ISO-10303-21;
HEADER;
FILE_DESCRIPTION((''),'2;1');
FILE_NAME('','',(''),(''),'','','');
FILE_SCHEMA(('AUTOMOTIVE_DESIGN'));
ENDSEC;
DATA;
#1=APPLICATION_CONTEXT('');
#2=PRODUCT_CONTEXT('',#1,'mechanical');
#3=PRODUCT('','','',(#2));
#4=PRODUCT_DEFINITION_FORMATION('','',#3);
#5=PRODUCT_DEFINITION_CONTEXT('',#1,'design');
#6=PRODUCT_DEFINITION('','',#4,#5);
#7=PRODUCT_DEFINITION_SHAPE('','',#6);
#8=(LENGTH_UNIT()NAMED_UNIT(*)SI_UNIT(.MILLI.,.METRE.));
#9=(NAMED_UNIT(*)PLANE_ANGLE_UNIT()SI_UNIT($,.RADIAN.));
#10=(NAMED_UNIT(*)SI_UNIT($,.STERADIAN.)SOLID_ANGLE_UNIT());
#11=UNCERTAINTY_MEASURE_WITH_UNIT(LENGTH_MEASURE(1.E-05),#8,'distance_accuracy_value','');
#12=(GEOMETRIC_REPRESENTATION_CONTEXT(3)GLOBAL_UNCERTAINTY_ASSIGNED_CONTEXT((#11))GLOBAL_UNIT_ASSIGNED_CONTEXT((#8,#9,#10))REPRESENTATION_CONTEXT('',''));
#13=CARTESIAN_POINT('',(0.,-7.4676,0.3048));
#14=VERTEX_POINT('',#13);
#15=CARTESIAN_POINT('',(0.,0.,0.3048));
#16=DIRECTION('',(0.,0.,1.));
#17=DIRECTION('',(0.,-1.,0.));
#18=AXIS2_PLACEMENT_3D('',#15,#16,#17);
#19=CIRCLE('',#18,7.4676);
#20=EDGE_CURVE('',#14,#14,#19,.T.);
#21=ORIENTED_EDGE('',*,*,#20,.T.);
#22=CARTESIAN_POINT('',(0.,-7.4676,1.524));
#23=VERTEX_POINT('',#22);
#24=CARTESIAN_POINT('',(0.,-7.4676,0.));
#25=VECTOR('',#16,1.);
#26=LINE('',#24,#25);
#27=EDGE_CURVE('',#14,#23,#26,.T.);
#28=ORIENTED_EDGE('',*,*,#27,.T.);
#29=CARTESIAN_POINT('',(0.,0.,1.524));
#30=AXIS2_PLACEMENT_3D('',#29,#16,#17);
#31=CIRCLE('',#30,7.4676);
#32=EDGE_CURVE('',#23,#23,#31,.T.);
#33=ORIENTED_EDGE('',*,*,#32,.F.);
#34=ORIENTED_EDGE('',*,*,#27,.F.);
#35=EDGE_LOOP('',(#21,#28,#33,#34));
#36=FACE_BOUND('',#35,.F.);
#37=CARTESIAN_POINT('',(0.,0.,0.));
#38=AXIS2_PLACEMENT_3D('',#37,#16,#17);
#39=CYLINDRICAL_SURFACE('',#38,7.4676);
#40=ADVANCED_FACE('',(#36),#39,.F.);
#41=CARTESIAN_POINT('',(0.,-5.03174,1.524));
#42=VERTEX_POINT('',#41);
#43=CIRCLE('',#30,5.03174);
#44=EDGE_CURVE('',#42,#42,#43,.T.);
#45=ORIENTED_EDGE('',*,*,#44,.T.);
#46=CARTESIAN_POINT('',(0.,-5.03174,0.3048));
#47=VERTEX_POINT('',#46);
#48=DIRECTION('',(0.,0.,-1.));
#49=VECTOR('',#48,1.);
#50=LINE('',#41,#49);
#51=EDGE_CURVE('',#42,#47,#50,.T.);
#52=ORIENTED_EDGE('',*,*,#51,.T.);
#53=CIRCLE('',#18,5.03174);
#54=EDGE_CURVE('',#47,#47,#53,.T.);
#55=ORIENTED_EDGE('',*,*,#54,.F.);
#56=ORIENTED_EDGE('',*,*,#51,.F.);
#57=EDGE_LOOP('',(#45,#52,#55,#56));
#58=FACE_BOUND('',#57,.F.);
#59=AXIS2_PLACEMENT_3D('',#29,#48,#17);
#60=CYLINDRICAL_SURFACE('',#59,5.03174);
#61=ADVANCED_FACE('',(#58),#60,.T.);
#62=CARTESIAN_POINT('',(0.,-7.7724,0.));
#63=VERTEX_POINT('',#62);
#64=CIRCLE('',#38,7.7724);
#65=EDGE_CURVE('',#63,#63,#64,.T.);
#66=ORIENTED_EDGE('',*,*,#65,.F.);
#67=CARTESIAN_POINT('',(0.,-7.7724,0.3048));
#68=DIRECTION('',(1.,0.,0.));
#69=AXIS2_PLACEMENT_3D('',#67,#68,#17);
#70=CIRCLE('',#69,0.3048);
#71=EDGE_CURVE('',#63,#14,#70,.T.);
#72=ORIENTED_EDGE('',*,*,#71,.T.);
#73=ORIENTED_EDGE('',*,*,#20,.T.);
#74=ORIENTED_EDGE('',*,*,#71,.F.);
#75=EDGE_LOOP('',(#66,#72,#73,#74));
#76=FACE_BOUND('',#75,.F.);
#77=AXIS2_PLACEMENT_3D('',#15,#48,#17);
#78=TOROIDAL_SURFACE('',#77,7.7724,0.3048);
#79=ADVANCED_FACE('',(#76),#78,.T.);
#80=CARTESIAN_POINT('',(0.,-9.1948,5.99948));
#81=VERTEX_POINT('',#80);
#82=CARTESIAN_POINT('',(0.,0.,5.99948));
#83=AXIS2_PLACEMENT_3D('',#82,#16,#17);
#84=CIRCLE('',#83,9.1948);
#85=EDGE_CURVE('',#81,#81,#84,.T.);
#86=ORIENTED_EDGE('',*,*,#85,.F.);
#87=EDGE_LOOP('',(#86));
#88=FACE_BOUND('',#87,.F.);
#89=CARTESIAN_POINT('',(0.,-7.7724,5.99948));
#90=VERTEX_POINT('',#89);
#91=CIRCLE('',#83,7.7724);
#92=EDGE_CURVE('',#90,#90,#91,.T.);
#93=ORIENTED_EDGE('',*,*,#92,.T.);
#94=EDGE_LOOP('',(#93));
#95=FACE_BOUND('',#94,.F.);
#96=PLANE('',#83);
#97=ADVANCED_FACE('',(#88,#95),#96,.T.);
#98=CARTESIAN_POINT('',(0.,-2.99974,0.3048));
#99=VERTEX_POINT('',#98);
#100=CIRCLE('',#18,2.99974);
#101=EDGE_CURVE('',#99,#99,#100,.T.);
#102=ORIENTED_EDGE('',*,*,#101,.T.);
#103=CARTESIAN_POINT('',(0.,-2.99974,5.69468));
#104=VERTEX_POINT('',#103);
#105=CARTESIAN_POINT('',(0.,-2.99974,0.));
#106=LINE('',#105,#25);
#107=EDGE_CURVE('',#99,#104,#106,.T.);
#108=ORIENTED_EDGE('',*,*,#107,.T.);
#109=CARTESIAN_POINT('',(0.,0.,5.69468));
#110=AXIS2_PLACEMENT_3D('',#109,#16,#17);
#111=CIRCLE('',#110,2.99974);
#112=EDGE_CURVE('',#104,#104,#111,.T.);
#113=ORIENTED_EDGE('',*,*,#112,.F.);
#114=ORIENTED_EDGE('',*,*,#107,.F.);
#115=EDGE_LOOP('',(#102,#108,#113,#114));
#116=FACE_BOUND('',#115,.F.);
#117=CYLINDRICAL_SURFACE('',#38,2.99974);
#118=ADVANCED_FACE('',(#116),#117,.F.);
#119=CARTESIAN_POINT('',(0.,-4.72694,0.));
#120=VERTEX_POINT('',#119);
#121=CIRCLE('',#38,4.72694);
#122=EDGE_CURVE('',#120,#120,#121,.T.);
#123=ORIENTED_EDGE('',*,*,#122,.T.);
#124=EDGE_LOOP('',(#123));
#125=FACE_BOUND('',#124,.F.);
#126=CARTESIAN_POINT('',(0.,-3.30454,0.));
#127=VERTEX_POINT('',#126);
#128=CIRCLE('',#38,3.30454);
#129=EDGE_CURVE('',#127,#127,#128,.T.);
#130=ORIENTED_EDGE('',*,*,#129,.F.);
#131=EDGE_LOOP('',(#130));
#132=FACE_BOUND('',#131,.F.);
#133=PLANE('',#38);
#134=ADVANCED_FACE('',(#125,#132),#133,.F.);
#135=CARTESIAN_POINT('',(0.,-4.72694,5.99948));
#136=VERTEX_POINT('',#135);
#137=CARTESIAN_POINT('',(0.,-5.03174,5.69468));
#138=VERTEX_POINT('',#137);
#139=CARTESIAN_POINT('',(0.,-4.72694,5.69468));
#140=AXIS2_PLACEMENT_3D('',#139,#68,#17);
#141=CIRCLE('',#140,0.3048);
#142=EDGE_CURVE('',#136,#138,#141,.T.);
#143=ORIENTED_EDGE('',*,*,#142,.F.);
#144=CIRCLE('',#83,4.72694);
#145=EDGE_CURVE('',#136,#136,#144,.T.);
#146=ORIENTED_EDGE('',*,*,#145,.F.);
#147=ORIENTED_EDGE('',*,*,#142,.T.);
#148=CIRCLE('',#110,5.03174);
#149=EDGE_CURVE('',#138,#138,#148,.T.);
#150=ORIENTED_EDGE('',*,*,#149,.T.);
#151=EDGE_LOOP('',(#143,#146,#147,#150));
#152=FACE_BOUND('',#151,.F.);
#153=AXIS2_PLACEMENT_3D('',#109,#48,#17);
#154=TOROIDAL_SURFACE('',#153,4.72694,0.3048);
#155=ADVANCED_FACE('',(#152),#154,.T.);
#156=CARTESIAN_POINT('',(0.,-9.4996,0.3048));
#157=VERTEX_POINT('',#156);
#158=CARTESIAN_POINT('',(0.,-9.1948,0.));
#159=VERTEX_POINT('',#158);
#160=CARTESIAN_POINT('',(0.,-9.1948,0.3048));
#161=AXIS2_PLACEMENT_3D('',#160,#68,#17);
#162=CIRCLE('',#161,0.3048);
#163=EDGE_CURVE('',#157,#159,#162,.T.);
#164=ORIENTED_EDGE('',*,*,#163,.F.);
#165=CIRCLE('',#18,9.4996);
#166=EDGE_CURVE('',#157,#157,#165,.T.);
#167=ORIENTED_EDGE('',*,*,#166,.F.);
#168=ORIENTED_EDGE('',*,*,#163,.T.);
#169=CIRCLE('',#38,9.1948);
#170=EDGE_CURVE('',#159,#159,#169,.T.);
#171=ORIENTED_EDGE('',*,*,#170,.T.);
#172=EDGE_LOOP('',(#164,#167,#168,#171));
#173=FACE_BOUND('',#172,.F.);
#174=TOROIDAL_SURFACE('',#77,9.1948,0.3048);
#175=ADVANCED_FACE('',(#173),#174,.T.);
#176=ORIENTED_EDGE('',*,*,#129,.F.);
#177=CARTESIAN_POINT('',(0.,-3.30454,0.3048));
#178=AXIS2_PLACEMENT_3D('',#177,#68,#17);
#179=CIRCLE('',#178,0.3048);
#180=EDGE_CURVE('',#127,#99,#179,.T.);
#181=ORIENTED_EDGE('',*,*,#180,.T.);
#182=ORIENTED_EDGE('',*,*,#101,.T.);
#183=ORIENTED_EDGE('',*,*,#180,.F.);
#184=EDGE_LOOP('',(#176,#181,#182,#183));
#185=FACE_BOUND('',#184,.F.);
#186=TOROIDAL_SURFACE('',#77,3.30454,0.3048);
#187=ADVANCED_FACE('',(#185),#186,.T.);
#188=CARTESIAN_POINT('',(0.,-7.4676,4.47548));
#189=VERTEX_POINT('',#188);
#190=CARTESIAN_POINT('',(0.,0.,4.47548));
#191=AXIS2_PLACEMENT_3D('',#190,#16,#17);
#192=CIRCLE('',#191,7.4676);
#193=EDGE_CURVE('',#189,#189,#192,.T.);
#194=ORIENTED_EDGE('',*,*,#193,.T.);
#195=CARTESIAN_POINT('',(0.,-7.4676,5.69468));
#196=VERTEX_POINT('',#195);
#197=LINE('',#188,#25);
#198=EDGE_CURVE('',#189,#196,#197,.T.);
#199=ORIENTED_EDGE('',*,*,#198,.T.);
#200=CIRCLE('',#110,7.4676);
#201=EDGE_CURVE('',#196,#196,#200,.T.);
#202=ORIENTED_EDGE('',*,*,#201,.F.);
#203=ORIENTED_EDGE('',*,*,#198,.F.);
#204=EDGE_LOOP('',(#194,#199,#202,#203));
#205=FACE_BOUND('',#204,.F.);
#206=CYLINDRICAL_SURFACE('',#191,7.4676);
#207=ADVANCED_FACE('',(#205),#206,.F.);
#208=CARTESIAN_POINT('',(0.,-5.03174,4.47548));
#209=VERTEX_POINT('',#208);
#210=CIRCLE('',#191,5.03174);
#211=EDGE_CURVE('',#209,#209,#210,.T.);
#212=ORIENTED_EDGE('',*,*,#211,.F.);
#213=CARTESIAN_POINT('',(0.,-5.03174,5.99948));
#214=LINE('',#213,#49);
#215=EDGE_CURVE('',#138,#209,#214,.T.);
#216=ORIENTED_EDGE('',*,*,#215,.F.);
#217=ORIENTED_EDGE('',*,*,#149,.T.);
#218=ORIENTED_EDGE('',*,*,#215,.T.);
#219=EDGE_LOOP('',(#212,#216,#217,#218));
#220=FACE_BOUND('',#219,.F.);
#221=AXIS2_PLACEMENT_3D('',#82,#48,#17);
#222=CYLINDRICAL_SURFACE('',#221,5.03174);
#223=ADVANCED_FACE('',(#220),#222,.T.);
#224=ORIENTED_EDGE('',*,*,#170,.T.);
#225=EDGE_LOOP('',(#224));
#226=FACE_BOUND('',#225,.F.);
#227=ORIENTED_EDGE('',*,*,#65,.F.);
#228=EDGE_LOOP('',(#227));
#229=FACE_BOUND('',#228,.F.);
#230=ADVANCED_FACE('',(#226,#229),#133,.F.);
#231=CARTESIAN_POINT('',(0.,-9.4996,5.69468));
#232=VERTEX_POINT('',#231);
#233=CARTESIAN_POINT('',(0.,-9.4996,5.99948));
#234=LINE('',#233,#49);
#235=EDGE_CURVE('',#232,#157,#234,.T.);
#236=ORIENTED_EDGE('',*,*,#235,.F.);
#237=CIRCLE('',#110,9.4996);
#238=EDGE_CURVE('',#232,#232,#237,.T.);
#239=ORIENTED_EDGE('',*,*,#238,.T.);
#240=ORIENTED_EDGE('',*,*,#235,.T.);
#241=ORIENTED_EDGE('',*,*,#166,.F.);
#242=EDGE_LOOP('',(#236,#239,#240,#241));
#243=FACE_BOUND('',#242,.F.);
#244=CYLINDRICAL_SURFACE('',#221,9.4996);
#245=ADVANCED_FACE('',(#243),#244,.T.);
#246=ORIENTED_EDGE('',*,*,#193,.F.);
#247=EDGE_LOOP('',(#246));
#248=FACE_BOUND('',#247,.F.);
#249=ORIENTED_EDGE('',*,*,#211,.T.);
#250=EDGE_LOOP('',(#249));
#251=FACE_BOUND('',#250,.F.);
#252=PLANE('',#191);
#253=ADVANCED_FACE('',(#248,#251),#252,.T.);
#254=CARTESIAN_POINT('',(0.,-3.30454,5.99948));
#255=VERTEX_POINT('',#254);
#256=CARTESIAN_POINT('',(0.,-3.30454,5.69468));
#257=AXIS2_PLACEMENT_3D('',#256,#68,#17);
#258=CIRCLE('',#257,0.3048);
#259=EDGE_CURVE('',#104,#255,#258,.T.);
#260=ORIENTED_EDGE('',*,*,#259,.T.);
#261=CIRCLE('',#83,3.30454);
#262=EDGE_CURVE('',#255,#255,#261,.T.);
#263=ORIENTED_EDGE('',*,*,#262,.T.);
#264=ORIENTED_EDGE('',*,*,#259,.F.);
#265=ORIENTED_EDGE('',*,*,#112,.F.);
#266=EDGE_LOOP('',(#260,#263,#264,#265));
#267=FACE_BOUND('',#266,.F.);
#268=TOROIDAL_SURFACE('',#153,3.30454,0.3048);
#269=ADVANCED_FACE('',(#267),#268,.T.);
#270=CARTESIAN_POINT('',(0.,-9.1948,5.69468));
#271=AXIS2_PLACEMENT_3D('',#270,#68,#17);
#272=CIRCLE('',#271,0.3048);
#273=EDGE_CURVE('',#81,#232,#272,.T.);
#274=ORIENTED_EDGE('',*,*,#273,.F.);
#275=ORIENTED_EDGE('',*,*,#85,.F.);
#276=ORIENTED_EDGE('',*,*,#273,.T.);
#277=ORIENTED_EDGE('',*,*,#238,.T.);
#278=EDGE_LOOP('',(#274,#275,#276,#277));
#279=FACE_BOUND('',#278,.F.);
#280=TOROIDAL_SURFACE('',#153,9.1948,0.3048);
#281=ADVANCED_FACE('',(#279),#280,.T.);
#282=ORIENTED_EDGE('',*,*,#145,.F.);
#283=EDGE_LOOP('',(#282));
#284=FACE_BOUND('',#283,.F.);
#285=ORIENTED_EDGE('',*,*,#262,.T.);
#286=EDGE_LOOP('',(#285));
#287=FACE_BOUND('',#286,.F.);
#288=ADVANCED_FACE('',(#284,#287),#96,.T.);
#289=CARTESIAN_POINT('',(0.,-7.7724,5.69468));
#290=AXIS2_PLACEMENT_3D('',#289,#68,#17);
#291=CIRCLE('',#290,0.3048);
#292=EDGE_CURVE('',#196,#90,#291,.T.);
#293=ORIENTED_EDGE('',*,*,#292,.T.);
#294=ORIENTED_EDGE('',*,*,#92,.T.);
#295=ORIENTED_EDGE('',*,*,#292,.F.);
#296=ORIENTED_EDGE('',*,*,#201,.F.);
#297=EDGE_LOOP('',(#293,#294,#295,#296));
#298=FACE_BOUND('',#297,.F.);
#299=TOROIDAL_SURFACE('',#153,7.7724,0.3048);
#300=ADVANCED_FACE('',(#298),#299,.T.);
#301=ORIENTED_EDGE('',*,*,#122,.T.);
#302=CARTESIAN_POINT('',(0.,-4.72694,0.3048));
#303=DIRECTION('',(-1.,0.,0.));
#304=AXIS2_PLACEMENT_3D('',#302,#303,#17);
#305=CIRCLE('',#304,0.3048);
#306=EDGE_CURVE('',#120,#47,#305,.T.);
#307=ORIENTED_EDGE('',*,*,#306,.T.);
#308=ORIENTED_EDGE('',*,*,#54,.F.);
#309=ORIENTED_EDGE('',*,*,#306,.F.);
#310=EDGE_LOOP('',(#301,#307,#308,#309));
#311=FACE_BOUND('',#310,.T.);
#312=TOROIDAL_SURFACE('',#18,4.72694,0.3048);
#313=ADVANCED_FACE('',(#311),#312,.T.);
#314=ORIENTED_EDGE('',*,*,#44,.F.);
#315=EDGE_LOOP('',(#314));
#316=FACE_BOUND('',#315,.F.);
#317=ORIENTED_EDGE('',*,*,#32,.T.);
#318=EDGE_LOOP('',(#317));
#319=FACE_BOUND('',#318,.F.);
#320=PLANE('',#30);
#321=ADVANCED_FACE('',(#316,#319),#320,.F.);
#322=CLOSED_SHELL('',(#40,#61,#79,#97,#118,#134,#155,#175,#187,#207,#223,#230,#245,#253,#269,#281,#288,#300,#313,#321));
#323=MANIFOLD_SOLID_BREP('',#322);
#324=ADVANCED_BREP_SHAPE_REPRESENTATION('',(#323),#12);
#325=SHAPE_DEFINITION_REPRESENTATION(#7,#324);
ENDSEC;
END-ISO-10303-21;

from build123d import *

# Parameters (mm, degrees)
F2_R = 0.3048


with BuildPart() as f1:
    # F0 (on Right) → F1 (revolve)
    with BuildSketch(Plane.YZ):
        Polygon((-5.03174, 0), (-2.99974, 0), (-2.99974, 5.99948), (-5.03174, 5.99948), (-5.03174, 4.47548), (-7.4676, 4.47548), (-7.4676, 5.99948), (-9.4996, 5.99948), (-9.4996, 0), (-7.4676, 0), (-7.4676, 1.524), (-5.03174, 1.524), align=None)
    revolve(axis=Axis((0, 0, 2.99974), (0, 0, 1)))

    # F2
    f2_edges = [f1.edges().sort_by_distance(p)[0] for p in [
        (0, 9.4996, 5.99948),
        (0, 7.4676, 5.99948),
        (0, 5.03174, 5.99948),
        (0, 2.99974, 5.99948),
        (0, 9.4996, 0),
        (0, 7.4676, 0),
        (0, 5.03174, 0),
        (0, 2.99974, 0),
    ]]
    fillet(f2_edges, radius=F2_R)


solid = f1.part
